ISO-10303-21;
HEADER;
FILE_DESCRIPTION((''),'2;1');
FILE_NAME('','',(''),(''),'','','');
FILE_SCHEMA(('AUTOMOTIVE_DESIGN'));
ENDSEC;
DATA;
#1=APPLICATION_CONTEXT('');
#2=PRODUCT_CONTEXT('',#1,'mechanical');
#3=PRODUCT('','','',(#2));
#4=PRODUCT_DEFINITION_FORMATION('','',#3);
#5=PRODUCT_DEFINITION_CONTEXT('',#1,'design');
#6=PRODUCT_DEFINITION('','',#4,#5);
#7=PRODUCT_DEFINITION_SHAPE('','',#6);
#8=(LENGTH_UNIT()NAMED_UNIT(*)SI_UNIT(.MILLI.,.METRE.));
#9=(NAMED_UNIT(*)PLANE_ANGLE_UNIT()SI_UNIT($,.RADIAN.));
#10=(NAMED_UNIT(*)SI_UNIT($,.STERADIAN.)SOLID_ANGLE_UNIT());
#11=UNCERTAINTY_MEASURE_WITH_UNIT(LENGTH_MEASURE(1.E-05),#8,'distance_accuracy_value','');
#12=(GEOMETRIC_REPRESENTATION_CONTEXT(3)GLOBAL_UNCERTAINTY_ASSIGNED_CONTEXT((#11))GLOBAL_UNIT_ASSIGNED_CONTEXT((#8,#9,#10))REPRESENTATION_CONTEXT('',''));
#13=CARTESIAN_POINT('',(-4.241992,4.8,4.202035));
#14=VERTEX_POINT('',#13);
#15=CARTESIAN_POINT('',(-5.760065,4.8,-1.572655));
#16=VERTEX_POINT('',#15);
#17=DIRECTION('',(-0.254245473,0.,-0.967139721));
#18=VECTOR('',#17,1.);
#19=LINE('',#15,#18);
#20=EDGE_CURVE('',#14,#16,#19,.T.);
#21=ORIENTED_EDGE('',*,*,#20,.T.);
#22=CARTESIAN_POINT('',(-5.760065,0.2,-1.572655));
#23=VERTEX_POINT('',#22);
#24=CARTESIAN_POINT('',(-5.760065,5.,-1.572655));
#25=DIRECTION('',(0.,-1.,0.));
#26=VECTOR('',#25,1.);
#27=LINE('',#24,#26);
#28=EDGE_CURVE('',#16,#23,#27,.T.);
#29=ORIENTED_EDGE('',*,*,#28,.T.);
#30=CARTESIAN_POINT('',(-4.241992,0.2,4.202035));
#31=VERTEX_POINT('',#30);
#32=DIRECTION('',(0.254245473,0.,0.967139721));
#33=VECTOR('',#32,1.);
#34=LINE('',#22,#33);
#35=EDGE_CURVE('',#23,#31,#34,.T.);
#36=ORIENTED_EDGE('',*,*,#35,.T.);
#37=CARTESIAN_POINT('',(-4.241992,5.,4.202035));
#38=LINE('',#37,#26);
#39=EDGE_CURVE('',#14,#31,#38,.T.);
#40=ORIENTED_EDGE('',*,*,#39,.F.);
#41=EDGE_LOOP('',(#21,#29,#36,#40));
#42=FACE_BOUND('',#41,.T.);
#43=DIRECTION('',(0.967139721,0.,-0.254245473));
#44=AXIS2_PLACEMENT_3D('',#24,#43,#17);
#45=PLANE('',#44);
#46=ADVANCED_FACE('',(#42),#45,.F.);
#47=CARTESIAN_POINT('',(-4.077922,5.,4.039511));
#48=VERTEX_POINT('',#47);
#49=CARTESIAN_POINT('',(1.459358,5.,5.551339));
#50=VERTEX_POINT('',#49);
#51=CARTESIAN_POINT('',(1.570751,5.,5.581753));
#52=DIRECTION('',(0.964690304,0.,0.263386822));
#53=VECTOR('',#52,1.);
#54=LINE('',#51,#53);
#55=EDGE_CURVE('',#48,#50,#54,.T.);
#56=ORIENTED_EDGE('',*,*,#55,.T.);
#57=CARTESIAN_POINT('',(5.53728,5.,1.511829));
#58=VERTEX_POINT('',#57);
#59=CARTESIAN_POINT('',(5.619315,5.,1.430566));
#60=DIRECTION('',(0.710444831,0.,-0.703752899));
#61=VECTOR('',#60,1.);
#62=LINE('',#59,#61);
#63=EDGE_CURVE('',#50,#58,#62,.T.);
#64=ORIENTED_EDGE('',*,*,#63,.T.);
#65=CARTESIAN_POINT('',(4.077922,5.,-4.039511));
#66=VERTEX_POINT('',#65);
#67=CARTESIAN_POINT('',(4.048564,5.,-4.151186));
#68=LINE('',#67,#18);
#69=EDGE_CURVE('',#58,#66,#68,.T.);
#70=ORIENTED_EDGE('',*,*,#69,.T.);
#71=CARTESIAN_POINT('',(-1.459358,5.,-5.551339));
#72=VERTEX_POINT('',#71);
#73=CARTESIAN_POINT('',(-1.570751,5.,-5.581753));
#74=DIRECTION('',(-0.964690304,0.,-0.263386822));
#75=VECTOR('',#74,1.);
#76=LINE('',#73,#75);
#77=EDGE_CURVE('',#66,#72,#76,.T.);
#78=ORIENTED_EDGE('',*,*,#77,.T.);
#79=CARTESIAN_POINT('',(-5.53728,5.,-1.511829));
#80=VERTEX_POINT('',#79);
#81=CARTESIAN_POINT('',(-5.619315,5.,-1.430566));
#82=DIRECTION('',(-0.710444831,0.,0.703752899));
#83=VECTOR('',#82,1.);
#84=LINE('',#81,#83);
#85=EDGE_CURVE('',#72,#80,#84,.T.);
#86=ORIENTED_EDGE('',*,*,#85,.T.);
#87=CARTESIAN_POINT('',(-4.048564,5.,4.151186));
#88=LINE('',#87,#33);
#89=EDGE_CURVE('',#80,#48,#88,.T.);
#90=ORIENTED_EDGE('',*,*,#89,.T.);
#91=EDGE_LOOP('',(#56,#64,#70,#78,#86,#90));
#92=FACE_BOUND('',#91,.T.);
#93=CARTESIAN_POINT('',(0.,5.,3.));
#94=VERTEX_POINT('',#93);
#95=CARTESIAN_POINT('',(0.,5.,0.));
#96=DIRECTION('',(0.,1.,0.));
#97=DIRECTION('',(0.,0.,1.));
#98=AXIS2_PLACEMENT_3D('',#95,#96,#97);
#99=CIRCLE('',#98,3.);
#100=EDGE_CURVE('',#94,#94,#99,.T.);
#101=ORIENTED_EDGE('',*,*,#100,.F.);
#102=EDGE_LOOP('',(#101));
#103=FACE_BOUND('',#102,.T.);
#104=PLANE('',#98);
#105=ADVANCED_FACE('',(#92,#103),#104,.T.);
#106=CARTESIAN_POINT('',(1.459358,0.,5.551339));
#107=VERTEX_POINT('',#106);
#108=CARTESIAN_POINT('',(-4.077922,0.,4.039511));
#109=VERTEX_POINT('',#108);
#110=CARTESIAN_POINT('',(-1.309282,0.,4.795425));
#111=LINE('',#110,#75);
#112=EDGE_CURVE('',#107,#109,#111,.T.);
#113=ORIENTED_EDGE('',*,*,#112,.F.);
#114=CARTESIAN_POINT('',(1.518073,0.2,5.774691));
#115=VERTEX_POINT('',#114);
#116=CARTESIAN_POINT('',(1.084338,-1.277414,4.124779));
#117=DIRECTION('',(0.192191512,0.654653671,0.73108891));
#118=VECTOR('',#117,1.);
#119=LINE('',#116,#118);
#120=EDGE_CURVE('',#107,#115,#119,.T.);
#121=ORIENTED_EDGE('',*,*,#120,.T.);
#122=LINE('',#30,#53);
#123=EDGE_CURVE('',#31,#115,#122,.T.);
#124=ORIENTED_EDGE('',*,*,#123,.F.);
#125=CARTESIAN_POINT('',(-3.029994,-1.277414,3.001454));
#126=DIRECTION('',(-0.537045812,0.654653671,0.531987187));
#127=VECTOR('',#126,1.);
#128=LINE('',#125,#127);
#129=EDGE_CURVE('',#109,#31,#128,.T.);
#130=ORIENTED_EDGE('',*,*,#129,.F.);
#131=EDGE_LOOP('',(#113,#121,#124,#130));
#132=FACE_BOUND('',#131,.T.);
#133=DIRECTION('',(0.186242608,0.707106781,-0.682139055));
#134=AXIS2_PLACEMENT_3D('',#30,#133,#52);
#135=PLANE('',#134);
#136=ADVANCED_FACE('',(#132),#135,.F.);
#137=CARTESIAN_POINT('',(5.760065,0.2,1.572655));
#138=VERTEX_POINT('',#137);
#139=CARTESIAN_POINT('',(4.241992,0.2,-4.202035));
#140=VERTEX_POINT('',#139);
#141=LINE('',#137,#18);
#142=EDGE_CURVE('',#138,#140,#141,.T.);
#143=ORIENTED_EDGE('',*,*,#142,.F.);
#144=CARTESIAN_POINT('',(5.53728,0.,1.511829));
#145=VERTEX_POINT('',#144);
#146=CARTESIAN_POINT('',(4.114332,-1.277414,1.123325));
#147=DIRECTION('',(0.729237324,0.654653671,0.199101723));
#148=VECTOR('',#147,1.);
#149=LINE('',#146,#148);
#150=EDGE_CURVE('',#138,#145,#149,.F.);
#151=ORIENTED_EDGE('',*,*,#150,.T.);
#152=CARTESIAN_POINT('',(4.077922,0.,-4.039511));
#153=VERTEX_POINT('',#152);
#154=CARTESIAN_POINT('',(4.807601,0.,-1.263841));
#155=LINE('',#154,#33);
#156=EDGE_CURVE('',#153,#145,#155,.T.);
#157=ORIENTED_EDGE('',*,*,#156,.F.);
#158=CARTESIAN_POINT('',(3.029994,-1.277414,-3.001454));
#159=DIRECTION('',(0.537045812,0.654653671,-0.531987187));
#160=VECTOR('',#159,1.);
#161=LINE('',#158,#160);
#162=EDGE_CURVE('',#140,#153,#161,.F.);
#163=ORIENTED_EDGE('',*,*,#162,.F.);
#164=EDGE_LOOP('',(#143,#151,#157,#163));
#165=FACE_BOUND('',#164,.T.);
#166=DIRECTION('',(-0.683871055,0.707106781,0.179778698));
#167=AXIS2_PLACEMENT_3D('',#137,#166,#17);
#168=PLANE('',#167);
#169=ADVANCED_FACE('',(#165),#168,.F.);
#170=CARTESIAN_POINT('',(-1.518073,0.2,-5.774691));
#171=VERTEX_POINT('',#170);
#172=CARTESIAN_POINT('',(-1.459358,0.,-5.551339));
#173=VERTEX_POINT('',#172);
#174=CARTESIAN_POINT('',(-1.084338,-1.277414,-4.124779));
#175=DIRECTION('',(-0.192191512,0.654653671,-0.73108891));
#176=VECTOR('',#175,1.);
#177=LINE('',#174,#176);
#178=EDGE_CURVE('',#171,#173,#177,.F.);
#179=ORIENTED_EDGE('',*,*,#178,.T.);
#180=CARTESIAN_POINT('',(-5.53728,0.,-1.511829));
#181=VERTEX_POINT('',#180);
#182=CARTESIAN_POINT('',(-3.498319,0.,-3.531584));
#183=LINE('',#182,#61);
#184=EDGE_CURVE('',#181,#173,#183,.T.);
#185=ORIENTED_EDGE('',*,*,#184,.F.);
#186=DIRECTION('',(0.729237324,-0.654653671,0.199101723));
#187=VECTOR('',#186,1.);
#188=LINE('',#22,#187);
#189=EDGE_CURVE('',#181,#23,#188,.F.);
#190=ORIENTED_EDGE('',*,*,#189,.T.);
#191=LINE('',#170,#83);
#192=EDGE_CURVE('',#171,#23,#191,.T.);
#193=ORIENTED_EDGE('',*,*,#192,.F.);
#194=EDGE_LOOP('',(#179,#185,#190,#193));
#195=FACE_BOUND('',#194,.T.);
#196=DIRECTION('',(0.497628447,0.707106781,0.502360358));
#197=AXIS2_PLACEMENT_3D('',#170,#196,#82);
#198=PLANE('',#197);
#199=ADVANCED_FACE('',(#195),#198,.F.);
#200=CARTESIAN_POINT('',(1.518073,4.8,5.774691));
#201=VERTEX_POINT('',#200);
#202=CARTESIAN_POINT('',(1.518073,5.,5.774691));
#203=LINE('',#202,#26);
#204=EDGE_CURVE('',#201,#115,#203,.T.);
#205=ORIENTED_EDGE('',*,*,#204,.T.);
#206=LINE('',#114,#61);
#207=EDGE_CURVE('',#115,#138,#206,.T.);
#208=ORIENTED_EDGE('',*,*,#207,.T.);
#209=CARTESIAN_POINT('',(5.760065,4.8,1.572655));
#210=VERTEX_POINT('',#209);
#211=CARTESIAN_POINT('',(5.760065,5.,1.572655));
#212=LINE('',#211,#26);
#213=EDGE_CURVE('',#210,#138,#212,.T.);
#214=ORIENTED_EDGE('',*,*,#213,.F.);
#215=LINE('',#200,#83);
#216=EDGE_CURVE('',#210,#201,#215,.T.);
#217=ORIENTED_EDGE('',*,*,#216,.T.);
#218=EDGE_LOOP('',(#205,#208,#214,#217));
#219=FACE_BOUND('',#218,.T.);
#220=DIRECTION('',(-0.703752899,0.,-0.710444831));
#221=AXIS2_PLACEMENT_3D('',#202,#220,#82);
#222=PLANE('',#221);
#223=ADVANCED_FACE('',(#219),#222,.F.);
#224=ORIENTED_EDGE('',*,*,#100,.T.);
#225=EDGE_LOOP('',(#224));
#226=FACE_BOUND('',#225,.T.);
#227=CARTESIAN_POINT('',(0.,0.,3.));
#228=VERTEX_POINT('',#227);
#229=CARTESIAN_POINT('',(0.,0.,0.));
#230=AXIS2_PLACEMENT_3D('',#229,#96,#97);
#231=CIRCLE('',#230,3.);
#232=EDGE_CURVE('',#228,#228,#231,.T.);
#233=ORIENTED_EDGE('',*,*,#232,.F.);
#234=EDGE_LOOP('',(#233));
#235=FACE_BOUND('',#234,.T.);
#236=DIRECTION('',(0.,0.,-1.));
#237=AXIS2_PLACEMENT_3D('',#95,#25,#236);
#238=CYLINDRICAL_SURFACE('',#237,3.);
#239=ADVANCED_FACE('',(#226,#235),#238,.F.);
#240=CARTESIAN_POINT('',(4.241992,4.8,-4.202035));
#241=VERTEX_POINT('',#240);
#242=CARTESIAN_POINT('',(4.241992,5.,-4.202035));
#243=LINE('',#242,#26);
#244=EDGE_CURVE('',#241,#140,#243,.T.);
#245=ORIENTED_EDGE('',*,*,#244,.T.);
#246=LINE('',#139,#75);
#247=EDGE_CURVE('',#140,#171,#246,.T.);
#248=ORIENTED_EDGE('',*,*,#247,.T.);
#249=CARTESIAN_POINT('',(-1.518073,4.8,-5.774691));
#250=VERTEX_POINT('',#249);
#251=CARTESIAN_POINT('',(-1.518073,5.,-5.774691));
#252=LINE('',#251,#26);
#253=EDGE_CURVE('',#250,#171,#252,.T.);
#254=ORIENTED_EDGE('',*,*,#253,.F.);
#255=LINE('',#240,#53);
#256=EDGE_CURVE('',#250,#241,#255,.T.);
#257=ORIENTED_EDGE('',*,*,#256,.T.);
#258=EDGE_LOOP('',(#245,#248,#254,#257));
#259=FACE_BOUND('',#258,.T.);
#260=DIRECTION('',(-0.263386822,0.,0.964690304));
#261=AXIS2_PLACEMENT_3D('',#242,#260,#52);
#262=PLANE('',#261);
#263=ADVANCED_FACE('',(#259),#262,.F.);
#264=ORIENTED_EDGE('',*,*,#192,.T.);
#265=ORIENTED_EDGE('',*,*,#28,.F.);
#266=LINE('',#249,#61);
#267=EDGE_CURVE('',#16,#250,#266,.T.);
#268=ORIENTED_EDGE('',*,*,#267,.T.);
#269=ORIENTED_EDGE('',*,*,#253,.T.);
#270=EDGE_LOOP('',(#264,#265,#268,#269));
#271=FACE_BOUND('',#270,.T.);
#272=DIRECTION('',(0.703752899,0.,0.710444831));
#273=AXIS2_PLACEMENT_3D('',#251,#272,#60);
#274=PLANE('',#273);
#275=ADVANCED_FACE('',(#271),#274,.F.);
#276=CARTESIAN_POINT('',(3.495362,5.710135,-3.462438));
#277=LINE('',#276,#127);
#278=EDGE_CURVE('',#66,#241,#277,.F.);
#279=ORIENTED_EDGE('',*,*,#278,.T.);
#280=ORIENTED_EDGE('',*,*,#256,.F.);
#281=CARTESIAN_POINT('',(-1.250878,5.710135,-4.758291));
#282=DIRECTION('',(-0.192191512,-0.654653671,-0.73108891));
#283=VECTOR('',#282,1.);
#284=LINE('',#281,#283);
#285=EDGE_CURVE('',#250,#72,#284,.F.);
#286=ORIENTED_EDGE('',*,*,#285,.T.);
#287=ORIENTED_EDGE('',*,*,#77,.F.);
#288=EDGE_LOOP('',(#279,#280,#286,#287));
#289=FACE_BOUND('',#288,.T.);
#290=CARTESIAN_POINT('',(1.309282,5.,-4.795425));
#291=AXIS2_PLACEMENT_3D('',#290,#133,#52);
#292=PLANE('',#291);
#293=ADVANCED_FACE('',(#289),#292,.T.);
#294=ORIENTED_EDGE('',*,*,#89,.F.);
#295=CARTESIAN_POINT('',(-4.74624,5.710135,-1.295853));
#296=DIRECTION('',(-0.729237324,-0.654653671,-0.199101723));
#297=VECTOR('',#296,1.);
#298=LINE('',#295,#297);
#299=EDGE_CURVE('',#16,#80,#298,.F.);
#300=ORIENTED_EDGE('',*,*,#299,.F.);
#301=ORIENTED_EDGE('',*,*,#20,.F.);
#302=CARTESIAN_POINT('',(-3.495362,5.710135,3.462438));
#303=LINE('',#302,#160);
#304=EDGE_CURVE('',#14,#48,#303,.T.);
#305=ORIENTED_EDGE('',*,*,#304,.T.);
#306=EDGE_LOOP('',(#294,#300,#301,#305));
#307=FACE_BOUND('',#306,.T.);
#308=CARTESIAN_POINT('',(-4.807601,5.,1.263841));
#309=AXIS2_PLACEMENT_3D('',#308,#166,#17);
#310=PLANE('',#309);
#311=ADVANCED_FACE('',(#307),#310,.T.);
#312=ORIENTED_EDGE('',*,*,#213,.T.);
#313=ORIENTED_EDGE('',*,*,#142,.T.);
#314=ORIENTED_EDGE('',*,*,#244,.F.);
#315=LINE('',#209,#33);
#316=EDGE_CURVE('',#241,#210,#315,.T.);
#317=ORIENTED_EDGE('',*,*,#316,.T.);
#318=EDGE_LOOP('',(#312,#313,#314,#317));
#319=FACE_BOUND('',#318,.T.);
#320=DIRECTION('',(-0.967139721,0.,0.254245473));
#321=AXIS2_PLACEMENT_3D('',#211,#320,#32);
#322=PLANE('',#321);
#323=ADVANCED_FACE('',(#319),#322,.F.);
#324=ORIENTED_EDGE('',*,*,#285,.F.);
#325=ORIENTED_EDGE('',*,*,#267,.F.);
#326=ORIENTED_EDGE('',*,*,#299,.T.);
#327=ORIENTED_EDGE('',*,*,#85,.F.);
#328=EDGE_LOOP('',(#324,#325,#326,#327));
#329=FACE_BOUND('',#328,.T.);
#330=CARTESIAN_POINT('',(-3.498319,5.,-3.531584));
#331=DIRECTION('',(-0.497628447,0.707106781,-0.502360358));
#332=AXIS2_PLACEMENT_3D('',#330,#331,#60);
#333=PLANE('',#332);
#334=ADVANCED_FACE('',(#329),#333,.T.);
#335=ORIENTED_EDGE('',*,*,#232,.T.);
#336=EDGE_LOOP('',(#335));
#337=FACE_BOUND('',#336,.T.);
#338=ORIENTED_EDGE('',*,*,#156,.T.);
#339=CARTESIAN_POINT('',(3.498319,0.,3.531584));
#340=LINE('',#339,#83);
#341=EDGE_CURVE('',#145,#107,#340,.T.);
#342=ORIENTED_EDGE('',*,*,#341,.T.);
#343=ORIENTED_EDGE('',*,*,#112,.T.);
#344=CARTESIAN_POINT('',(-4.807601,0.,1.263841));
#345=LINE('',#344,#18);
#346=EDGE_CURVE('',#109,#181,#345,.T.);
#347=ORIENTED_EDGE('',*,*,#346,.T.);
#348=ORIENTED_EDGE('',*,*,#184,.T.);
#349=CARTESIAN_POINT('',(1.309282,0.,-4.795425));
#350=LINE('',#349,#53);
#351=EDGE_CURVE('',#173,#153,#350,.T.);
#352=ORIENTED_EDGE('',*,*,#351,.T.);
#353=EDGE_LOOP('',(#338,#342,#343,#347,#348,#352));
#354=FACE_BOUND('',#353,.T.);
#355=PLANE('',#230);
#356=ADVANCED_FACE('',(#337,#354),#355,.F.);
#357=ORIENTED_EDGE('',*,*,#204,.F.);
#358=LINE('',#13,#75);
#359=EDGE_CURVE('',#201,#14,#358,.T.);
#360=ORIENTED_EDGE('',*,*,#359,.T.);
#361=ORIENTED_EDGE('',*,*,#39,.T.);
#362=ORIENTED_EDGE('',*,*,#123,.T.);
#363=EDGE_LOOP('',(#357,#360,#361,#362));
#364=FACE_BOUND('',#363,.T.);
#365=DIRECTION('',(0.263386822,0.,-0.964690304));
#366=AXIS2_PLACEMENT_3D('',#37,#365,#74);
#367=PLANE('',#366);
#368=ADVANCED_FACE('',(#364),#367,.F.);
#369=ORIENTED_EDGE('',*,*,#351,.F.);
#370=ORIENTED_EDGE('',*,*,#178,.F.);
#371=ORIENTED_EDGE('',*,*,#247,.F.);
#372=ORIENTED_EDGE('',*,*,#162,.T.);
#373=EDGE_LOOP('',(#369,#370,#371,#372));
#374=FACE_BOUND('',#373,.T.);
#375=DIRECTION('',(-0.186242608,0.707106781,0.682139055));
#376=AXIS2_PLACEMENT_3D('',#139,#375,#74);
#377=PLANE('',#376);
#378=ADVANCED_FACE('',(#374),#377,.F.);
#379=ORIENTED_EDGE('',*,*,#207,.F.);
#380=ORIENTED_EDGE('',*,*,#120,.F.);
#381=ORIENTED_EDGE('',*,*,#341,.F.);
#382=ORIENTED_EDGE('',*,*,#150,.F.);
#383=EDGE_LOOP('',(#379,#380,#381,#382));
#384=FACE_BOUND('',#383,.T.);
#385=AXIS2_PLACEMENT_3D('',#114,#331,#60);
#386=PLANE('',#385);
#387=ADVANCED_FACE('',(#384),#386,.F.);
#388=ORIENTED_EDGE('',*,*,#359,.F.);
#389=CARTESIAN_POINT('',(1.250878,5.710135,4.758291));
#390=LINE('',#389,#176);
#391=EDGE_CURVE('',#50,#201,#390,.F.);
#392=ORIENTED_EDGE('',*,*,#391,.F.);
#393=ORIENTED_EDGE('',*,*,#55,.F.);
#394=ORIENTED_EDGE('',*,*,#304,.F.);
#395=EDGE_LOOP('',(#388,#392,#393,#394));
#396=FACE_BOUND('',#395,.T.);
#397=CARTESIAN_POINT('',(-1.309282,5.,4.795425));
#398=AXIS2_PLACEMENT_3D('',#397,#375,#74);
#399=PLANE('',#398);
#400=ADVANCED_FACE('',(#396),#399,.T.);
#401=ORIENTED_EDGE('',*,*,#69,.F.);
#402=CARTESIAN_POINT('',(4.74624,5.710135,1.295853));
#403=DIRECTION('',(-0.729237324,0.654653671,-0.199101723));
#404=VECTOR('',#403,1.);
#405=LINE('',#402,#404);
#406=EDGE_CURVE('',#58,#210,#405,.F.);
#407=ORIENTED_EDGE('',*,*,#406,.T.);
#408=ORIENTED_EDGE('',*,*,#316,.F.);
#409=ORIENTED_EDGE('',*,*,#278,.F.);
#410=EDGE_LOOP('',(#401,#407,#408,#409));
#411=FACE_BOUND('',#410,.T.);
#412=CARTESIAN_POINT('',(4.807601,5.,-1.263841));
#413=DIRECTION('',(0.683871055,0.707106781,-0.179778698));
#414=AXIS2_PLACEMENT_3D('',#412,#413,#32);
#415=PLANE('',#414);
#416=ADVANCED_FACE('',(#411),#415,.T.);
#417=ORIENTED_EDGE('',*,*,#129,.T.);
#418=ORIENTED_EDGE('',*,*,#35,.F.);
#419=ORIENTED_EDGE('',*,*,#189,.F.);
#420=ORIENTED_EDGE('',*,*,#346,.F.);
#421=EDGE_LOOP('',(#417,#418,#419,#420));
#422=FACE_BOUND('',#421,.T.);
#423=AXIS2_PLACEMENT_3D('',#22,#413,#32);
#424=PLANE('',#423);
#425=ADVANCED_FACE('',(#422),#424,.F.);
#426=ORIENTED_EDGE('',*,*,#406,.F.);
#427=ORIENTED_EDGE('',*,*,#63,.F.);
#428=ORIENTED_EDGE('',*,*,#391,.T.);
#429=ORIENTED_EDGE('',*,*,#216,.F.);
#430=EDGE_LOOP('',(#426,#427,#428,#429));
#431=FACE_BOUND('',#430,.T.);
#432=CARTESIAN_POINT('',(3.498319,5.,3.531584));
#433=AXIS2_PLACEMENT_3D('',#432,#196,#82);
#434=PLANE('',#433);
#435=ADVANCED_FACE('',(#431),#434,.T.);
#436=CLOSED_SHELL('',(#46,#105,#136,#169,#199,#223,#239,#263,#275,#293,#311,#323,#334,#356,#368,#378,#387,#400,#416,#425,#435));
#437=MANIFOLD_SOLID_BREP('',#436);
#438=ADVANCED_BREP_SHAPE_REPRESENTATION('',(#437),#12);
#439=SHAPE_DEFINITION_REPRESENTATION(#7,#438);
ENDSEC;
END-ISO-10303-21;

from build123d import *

# Parameters (mm, degrees)
SKETCH1_R           = 3
BOSS_EXTRUDE1_DEPTH = 5
CHAMFER2_SIZE       = 0.2


with BuildPart() as part:
    # Sketch1 → Boss-Extrude1 (new body)
    with BuildSketch(Plane(origin=(0, 0, 0), x_dir=(1, 0, 0), z_dir=(0, 1, 0))):
        Polygon((-4.241992166, -4.202035335), (1.518073264, -5.774690646), (5.760065431, -1.572655311), (4.241992166, 4.202035335), (-1.518073264, 5.774690646), (-5.760065431, 1.572655311), align=None)
        with Locations(Location((0, 0, 0), (0, 0, 270))):
            Circle(SKETCH1_R, mode=Mode.SUBTRACT)
    extrude(amount=BOSS_EXTRUDE1_DEPTH)

    # Chamfer2
    chamfer2_edges = [part.edges().sort_by_distance(p)[0] for p in [
        (3.639069348, 5, 3.673672979),
        (5.001028798, 5, -1.314690012),
        (1.361959451, 5, -4.98836299),
        (-3.639069348, 5, -3.673672979),
        (-5.001028798, 5, 1.314690012),
        (-3.639069348, 0, -3.673672979),
        (1.361959451, 0, -4.98836299),
        (5.001028798, 0, -1.314690012),
        (-1.361959451, 5, 4.98836299),
        (3.639069348, 0, 3.673672979),
        (-1.361959451, 0, 4.98836299),
        (-5.001028798, 0, 1.314690012),
    ]]
    chamfer(chamfer2_edges, length=CHAMFER2_SIZE)


solid = part.part
